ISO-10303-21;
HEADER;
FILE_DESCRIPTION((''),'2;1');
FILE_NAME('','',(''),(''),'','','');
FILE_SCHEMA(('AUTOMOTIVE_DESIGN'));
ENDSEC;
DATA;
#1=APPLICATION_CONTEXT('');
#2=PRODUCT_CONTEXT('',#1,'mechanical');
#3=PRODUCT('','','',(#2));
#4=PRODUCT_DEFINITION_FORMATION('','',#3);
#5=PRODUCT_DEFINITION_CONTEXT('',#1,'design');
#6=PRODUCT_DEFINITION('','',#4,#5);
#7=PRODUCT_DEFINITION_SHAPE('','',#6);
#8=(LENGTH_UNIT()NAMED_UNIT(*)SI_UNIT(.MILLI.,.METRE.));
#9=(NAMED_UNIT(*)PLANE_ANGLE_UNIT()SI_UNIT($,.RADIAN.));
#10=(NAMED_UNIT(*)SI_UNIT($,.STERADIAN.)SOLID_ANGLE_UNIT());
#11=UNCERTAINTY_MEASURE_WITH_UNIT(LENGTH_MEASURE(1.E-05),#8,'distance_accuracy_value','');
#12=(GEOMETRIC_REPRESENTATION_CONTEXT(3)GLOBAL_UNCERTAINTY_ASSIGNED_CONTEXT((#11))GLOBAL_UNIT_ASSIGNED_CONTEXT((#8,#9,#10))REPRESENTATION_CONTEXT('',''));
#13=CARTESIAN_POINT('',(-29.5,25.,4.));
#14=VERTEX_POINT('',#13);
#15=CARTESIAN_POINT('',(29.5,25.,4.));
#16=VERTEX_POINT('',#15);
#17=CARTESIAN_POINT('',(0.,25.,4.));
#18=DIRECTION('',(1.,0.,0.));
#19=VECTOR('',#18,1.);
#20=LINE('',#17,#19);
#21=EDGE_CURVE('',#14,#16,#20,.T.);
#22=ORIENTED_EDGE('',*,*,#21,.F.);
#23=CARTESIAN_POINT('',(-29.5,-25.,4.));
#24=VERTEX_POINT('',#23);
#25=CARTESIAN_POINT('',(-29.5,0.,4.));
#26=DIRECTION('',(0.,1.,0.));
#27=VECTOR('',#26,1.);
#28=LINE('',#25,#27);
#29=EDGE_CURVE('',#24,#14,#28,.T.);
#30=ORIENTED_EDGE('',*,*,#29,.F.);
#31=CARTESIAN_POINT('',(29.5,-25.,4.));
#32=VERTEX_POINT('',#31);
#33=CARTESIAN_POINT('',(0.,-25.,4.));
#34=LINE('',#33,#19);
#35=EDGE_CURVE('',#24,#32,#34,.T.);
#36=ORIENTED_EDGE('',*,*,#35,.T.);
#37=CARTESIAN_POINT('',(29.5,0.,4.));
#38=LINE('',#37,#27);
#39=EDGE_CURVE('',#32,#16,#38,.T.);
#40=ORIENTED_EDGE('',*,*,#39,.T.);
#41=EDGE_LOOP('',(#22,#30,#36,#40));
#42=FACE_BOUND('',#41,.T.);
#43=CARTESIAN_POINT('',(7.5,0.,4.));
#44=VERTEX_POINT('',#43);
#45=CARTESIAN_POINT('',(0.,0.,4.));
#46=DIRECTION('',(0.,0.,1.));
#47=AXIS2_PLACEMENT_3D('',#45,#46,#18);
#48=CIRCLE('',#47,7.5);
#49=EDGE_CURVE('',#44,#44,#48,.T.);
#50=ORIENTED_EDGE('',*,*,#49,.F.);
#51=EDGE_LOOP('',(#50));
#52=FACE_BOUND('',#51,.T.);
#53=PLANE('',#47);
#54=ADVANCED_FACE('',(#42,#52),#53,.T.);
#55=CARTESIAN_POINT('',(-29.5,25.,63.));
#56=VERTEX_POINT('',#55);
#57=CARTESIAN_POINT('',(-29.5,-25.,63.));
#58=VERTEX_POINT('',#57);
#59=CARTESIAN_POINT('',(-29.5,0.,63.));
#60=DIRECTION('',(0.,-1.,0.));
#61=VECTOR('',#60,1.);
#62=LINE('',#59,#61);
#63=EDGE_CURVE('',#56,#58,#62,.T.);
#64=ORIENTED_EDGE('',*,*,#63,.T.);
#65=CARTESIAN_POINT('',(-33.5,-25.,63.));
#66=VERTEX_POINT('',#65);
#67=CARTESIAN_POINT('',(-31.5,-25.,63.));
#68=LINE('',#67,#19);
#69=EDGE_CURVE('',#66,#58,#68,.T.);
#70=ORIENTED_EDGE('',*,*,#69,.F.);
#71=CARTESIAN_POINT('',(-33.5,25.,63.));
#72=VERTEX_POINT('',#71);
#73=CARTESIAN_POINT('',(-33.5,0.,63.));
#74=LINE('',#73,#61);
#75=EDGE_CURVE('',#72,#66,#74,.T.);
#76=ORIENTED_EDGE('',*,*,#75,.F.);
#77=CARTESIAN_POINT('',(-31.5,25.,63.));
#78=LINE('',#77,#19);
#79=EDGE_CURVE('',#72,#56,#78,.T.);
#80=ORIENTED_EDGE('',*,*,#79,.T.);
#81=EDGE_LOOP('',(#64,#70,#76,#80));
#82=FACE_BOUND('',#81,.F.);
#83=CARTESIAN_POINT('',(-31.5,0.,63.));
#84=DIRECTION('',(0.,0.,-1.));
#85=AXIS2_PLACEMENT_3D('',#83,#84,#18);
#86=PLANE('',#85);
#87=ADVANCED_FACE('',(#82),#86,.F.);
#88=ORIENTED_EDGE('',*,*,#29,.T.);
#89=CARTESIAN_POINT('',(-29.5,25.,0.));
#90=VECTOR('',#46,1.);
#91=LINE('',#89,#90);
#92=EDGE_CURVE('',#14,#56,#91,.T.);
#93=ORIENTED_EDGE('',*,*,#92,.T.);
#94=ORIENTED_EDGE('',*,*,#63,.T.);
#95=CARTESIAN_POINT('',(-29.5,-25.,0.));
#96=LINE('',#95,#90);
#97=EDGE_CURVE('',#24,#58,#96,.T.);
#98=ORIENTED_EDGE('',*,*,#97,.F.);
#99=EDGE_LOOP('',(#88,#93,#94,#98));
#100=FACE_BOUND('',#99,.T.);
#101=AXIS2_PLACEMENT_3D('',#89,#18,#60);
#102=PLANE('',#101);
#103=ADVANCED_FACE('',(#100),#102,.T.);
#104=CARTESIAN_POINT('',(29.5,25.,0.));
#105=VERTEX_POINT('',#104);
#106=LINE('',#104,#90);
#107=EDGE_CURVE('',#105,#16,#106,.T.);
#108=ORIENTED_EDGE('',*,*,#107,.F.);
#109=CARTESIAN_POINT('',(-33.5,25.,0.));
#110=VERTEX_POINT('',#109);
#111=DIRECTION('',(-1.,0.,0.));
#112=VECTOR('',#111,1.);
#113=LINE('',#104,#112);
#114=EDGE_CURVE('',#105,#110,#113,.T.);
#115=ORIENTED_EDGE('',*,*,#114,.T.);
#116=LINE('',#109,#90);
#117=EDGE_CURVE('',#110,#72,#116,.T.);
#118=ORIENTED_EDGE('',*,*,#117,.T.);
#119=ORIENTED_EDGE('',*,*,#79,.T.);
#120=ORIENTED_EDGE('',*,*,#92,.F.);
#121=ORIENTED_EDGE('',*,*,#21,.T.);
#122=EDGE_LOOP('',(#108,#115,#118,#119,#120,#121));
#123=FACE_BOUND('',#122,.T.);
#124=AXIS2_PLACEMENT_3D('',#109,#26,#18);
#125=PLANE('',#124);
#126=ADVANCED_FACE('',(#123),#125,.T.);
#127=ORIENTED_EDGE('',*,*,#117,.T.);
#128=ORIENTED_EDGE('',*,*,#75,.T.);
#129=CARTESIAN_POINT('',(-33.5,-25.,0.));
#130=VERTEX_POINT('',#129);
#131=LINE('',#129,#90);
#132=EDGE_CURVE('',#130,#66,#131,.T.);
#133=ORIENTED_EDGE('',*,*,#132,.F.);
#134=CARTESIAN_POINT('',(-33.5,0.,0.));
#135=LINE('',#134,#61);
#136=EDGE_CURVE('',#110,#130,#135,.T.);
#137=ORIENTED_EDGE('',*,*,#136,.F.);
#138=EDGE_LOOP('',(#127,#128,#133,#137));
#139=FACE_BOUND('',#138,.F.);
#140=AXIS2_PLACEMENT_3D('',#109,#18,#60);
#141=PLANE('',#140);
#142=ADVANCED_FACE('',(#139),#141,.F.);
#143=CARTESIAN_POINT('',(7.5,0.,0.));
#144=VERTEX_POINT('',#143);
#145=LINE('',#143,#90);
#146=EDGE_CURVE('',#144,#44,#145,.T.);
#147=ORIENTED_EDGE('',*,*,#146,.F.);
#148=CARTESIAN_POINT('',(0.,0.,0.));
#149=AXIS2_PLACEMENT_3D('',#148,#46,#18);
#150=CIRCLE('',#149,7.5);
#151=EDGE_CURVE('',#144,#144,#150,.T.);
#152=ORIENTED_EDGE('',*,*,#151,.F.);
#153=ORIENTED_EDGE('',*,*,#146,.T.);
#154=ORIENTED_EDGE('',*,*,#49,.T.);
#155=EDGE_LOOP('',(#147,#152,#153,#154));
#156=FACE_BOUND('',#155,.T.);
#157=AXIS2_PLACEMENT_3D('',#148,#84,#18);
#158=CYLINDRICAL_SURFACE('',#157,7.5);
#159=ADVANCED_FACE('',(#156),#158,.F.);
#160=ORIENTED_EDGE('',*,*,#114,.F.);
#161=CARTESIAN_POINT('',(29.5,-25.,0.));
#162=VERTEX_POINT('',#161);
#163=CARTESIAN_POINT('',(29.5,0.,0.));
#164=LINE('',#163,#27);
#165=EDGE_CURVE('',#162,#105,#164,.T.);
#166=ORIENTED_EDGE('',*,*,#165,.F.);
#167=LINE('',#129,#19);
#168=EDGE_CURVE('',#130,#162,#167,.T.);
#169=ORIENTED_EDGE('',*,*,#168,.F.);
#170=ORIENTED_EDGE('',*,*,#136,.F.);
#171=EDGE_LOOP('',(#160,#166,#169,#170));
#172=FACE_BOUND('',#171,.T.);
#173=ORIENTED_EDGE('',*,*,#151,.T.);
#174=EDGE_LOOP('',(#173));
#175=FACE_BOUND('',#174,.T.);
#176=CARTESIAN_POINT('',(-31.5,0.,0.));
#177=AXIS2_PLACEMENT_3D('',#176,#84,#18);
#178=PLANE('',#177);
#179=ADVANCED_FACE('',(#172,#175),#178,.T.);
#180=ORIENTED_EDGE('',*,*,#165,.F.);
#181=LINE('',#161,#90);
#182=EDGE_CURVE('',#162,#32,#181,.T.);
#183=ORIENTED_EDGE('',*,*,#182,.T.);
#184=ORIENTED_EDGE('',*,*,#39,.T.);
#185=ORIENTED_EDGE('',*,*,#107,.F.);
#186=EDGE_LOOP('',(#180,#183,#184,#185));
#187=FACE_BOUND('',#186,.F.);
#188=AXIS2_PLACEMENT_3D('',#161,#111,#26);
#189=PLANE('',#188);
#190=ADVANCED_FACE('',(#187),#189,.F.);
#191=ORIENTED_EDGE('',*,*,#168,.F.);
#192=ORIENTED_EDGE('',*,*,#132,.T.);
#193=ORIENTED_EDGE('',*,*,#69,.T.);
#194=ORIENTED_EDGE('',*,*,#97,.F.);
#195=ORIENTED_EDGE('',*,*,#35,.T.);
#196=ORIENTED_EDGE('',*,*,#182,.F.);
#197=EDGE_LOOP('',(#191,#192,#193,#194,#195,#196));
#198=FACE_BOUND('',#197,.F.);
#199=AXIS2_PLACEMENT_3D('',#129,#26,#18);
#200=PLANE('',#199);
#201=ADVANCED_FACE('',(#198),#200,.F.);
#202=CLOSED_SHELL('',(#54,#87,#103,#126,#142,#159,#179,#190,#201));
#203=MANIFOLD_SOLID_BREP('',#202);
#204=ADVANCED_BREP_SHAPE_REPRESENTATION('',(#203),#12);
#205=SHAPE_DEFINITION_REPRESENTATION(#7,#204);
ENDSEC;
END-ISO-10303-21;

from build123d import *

# Parameters (mm, degrees)
F0_W     = 59
F0_H     = 50
F0_R     = 7.5
F1_DEPTH = 4
F2_W     = 4
F2_H     = 50
F3_DEPTH = 63


with BuildPart() as f1:
    # F0 (on Top) → F1 (new body)
    with BuildSketch(Plane.XY):
        Rectangle(F0_W, F0_H)
        Circle(F0_R, mode=Mode.SUBTRACT)
    extrude(amount=F1_DEPTH)

    # F2 (on face) → F3 (join)
    with BuildSketch(Plane(origin=(0, 0, 0), x_dir=(1, 0, 0), z_dir=(0, 0, -1))):
        with Locations((-31.5, 0)):
            Rectangle(F2_W, F2_H)
    extrude(amount=-F3_DEPTH)


solid = f1.part
